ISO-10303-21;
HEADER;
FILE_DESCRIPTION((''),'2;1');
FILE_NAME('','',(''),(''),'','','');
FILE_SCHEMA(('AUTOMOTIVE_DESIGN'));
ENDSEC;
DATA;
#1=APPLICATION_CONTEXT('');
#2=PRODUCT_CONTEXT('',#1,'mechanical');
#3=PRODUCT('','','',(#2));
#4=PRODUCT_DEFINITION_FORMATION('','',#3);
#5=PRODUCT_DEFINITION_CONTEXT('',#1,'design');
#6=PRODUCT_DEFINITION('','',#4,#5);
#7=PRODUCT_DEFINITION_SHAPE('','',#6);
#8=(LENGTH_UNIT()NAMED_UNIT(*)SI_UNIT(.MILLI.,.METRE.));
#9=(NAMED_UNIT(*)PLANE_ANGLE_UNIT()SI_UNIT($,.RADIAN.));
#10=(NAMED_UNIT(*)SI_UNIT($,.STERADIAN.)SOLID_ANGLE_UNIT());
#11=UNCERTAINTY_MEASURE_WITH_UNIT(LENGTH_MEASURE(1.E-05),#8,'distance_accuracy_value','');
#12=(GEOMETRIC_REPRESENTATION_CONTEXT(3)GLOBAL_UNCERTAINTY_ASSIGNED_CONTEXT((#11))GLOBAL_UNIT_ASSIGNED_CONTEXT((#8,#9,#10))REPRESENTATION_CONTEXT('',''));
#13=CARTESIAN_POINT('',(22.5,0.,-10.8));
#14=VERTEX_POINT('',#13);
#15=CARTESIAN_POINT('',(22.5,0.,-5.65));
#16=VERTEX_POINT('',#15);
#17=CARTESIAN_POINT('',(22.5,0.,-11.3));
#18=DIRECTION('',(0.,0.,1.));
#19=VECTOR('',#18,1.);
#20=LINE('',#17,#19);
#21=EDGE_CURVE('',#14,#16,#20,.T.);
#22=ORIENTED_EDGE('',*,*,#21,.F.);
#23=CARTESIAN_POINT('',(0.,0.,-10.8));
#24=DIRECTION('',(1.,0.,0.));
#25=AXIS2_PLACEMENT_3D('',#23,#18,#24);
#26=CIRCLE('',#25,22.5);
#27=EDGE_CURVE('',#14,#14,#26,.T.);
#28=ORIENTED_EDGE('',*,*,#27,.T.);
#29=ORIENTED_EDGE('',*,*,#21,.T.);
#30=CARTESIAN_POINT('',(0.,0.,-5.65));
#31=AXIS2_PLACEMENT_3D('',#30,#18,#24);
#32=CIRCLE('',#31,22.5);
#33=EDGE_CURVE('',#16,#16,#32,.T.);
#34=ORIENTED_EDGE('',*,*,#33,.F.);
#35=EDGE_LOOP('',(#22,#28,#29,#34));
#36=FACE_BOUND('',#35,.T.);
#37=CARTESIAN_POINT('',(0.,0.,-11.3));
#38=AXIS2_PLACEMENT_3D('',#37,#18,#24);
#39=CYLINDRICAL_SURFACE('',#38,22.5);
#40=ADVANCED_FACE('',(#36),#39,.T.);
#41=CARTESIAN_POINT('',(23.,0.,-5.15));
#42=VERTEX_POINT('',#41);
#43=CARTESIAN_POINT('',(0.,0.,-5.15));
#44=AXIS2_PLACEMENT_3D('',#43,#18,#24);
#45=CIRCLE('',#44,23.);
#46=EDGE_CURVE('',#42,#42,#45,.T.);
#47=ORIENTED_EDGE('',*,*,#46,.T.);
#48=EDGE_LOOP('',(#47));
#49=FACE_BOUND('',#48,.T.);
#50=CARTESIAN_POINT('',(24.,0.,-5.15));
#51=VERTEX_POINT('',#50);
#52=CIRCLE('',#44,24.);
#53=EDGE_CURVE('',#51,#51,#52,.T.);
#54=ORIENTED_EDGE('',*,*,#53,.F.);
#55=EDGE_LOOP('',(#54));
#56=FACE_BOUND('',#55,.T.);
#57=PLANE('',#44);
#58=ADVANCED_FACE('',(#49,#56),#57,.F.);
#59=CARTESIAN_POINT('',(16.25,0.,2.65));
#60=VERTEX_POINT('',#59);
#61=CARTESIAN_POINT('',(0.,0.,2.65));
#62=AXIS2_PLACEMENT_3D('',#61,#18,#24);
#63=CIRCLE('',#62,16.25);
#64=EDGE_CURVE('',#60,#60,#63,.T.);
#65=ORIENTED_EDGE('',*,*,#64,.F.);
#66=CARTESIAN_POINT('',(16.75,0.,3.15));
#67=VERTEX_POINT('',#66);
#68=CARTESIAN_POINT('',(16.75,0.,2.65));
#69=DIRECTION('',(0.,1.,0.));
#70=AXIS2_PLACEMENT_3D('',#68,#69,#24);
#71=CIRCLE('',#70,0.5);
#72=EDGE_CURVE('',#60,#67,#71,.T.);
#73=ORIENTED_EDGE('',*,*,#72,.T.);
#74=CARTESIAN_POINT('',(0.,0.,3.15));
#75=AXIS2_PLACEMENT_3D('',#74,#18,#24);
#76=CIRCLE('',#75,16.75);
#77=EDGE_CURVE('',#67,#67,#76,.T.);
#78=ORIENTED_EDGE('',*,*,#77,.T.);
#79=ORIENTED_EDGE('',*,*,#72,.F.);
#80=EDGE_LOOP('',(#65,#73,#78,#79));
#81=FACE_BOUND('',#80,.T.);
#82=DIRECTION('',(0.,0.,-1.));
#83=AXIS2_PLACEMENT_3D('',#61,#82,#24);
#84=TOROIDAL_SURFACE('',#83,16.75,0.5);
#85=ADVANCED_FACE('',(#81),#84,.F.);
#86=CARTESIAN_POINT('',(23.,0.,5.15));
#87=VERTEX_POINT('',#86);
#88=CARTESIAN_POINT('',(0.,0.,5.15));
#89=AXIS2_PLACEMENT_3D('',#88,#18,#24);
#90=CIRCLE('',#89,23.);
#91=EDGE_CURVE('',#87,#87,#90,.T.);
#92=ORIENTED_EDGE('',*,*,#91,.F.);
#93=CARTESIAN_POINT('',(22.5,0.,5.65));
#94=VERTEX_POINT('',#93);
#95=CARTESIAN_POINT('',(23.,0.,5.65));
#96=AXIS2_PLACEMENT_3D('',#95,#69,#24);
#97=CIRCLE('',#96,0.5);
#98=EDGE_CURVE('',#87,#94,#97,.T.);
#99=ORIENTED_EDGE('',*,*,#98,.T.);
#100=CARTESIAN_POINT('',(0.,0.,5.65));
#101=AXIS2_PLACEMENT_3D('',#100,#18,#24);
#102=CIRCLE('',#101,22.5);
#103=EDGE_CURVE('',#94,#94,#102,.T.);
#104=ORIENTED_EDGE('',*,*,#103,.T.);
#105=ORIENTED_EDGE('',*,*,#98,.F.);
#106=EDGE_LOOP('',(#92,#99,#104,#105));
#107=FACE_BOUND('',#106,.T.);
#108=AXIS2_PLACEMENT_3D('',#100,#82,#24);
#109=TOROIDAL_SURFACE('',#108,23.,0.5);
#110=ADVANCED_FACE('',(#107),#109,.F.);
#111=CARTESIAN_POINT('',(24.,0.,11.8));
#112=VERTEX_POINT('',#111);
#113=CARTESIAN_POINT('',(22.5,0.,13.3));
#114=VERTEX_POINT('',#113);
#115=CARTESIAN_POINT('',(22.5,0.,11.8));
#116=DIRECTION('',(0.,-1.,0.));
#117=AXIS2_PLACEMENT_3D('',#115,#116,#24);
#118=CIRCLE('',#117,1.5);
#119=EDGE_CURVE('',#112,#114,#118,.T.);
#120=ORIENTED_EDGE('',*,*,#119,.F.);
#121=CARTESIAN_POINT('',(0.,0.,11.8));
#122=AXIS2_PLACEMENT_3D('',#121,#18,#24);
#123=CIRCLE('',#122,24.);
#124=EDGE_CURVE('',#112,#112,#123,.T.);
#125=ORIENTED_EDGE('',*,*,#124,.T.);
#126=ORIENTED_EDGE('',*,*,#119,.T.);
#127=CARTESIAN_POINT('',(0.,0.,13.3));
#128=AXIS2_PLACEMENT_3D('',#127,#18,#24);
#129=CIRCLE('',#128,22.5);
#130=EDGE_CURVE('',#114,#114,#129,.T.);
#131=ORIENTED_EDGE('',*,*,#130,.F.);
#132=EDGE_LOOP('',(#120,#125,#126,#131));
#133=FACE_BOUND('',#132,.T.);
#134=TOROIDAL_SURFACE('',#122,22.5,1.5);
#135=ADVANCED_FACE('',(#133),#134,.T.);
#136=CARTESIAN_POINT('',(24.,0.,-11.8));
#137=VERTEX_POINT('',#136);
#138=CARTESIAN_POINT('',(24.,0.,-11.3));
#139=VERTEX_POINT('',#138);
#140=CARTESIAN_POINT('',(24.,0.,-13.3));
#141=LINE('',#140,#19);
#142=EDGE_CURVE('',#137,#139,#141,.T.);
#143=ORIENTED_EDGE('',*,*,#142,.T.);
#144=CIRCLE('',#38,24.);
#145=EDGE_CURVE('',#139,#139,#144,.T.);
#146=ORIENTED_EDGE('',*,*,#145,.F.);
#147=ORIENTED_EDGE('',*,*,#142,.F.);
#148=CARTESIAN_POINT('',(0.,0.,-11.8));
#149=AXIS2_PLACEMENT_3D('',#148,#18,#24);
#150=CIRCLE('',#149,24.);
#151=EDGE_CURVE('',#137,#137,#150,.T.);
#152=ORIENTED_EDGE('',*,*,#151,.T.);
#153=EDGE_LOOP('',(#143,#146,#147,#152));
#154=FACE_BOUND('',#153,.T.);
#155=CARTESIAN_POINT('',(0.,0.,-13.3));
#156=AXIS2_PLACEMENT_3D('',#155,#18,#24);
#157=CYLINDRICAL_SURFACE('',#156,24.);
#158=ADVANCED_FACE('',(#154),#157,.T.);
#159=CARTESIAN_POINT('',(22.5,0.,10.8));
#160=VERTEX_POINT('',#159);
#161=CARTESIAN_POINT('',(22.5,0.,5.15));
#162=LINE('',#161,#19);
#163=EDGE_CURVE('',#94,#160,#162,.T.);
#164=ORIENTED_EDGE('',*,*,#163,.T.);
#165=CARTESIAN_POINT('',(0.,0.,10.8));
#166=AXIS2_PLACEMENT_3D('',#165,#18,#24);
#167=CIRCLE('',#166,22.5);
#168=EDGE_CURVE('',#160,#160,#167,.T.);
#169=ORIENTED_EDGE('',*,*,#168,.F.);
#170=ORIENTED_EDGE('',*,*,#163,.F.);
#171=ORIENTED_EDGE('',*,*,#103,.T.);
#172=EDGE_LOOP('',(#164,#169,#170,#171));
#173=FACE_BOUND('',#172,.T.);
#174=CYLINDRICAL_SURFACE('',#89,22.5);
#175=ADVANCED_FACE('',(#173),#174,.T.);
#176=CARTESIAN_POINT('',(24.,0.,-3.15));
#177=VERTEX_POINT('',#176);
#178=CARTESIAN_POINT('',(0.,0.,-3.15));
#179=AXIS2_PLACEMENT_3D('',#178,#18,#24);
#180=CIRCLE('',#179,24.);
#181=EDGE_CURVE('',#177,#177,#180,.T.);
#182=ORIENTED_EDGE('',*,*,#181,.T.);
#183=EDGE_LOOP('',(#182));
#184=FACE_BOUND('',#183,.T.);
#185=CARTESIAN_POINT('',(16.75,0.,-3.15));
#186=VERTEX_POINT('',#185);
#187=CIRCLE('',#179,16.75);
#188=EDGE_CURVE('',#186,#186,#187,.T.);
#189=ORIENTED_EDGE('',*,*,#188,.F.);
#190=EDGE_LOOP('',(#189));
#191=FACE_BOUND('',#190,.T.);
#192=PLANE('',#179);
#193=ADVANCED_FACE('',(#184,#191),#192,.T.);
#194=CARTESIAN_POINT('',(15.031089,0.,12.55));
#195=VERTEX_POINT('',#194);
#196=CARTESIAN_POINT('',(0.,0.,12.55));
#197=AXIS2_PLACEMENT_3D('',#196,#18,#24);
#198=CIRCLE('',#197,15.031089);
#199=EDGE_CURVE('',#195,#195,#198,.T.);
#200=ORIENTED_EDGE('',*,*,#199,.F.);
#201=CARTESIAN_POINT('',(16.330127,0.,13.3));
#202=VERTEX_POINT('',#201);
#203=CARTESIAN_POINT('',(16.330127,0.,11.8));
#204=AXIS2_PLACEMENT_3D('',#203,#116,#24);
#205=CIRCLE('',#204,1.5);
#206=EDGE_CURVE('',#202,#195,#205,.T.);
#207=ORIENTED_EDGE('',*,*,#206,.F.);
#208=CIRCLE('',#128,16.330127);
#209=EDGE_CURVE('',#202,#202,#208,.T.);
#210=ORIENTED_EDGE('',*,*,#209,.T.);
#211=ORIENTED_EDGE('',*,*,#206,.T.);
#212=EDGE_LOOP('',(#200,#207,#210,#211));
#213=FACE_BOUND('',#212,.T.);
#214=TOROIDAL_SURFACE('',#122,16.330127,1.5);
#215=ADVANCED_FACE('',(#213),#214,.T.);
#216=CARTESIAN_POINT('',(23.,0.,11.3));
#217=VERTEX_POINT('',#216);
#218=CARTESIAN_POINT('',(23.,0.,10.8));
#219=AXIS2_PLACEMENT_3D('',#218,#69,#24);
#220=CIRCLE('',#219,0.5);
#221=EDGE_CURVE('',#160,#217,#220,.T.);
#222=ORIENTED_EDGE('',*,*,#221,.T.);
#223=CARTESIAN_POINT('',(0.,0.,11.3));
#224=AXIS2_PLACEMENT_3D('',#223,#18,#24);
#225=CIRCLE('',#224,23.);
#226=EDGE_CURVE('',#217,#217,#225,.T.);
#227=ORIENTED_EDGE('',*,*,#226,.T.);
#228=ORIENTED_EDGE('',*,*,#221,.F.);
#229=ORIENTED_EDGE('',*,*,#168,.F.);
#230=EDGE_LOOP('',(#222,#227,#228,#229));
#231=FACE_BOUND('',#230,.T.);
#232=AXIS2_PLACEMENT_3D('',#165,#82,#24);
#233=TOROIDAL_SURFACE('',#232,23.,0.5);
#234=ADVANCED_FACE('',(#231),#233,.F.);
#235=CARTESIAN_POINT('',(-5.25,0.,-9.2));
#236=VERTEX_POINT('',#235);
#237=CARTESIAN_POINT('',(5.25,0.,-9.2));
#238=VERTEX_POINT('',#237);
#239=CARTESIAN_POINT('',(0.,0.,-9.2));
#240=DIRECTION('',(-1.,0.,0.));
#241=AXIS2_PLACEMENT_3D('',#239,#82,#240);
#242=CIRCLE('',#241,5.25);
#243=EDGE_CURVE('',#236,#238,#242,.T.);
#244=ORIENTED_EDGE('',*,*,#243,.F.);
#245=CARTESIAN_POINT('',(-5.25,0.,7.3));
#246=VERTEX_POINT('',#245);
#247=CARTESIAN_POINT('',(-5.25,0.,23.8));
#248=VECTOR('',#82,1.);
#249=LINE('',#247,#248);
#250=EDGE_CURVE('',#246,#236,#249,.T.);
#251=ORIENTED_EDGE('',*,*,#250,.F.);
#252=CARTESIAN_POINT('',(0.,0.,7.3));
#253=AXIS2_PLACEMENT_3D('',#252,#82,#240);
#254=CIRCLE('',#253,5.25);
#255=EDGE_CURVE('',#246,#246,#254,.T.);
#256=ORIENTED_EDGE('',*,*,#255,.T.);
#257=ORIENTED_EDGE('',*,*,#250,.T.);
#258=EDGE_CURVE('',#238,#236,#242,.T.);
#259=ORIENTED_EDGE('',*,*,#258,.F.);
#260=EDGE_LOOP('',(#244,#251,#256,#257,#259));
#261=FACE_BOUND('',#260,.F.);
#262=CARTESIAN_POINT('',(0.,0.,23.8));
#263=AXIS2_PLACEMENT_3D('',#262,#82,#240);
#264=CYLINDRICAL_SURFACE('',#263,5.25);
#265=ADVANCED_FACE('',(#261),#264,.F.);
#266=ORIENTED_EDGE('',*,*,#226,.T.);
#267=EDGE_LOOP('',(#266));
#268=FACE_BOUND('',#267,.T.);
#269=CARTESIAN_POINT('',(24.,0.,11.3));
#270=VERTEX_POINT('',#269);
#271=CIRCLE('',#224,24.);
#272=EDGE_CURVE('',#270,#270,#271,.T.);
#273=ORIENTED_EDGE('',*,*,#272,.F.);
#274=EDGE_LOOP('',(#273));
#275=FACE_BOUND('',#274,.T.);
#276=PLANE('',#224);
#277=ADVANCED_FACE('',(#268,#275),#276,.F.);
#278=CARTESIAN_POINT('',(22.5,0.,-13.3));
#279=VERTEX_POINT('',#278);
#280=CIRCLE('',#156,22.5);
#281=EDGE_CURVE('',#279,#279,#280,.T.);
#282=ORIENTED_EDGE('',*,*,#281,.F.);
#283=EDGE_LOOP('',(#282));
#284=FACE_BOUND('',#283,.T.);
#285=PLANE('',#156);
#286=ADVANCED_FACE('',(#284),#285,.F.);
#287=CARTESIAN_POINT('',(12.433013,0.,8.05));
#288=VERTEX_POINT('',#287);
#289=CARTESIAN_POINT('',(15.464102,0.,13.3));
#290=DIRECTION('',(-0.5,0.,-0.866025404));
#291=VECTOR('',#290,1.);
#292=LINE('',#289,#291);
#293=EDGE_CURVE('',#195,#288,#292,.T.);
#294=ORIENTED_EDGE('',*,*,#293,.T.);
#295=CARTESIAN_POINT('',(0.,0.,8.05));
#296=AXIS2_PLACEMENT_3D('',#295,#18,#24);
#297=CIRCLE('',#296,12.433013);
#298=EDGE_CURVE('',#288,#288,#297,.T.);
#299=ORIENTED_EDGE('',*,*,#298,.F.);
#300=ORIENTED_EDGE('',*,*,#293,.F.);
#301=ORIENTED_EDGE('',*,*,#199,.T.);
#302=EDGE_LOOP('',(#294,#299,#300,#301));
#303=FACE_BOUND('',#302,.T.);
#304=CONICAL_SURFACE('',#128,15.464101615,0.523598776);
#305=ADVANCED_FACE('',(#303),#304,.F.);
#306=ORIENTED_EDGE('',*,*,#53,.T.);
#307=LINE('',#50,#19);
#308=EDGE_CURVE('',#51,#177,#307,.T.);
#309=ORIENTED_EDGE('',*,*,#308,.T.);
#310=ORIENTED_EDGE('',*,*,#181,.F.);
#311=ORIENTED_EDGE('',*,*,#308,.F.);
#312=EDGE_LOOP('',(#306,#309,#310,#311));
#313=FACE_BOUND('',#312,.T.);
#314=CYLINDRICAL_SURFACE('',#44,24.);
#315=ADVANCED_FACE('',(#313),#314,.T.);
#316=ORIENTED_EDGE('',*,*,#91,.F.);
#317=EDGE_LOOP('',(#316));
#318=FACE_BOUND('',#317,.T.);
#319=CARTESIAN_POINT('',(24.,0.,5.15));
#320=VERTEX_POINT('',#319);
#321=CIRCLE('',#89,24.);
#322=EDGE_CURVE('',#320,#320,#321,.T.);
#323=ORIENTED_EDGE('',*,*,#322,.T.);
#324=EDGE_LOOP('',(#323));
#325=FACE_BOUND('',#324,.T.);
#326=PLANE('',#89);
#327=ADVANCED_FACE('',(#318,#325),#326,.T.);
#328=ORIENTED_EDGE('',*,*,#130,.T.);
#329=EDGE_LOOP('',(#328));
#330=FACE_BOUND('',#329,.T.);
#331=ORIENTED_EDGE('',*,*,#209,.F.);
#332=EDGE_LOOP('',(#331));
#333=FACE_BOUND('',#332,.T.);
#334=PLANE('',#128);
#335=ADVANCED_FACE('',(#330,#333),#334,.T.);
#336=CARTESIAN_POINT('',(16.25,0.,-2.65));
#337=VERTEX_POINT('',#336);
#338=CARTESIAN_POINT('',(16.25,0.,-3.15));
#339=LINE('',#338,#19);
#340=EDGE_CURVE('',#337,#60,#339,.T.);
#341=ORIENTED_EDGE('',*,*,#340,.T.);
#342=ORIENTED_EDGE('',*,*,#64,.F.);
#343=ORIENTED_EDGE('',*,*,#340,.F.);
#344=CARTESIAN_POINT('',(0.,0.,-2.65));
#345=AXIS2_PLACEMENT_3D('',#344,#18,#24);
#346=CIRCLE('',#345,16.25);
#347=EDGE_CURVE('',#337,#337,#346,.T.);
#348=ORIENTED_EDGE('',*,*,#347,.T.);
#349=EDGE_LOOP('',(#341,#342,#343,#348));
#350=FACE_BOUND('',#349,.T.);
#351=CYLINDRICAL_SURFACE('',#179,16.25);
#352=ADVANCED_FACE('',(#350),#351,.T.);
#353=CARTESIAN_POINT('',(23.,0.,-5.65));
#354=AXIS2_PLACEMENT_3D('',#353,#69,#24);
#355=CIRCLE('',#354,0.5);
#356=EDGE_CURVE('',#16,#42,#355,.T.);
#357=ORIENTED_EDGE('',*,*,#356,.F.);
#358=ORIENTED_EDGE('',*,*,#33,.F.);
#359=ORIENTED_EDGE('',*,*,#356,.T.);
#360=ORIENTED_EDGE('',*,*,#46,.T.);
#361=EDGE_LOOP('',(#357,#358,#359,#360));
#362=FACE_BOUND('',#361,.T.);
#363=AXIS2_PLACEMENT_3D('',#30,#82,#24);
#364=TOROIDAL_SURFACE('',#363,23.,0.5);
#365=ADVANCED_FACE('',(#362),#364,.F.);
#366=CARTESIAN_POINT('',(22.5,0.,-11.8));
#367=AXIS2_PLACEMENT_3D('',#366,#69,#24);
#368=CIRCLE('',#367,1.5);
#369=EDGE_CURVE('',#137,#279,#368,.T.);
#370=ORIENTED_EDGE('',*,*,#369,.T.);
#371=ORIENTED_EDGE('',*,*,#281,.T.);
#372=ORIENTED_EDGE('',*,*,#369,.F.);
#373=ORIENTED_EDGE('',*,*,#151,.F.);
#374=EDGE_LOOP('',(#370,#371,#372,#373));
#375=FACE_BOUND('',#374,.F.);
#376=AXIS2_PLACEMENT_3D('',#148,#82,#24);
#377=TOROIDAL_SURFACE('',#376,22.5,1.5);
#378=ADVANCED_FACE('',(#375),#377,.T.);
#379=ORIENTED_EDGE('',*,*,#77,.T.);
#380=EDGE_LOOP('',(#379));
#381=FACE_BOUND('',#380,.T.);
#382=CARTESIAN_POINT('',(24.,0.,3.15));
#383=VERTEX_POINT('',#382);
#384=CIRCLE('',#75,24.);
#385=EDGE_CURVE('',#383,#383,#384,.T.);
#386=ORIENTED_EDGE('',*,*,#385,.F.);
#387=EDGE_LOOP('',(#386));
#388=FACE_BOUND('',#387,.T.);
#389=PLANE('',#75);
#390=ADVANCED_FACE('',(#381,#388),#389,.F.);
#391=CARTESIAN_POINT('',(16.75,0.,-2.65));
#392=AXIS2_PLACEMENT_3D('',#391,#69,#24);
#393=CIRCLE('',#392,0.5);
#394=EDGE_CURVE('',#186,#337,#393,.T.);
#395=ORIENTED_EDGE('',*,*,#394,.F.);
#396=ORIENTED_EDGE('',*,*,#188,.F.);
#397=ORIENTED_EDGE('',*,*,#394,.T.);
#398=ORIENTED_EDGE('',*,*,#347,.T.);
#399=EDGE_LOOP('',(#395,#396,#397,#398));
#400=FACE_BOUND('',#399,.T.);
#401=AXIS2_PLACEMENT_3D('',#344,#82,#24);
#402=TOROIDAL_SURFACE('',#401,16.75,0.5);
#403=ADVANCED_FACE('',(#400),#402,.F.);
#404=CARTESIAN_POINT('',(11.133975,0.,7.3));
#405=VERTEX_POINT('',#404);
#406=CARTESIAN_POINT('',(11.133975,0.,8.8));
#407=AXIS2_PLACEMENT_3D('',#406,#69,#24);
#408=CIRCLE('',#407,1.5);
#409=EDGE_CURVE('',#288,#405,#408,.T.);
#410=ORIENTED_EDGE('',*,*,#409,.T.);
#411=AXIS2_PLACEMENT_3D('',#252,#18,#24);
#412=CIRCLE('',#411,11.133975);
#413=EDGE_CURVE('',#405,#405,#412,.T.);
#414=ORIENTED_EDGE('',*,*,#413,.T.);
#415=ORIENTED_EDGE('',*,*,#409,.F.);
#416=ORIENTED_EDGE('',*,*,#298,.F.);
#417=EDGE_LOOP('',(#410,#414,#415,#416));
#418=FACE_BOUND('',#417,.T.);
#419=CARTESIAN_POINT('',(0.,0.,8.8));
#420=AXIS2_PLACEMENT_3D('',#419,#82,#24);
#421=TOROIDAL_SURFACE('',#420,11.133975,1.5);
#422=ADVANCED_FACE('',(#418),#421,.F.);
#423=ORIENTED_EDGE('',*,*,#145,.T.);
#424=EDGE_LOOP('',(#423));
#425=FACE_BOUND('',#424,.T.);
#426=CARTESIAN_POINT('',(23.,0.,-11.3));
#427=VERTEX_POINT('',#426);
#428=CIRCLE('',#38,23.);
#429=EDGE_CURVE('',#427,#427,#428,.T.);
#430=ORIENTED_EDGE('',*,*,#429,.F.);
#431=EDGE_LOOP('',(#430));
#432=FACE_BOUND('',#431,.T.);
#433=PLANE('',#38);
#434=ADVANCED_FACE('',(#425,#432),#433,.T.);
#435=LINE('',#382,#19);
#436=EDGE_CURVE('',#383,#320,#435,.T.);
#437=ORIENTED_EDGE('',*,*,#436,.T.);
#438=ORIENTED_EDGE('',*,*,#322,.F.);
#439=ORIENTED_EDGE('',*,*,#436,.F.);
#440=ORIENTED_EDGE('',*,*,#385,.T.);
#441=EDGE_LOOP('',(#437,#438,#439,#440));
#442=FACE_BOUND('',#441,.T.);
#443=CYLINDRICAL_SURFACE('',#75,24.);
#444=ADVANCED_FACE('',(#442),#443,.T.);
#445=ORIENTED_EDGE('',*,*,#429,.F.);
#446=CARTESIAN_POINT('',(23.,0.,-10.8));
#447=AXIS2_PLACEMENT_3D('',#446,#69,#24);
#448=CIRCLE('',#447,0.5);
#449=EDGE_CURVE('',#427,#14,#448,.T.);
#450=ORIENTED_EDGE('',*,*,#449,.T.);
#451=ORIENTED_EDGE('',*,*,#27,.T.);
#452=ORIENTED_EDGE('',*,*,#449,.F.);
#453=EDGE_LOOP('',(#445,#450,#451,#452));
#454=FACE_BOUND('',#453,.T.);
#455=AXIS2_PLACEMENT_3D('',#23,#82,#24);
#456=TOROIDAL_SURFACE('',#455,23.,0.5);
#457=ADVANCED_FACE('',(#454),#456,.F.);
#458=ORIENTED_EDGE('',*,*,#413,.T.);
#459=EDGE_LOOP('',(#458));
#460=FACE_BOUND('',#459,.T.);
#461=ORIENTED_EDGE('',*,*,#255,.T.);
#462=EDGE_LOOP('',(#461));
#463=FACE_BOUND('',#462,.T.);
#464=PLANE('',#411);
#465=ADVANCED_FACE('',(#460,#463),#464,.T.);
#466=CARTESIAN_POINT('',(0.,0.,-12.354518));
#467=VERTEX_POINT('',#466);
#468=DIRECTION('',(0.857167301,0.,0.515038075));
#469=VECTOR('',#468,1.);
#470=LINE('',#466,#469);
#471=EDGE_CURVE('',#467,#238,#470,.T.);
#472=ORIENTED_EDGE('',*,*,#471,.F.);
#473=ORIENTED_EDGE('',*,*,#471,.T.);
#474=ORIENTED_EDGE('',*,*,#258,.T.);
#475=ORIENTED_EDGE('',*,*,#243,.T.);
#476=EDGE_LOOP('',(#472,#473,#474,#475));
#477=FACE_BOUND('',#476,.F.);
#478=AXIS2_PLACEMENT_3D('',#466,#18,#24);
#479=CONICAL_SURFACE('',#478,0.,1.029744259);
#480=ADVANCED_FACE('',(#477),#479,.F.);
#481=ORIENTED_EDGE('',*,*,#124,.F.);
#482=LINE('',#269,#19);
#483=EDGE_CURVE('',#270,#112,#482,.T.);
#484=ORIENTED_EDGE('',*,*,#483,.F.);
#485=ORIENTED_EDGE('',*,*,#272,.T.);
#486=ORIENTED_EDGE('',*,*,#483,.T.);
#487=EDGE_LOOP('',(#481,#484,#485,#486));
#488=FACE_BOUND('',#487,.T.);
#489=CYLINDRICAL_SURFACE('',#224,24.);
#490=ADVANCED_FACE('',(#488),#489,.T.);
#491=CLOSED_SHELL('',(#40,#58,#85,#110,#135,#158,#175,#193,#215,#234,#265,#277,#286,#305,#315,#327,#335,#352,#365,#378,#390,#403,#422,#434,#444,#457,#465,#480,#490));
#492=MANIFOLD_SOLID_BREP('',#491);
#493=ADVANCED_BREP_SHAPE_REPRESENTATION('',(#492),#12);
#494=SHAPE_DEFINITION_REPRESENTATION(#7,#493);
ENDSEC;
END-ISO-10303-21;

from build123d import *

# Parameters (mm, degrees)
F2_R     = 0.5
F3_R     = 1.5
F5_D     = 10.5
F5_DEPTH = 16.5
F5_TIP   = 3.1545182499


with BuildPart() as f1:
    # F0 (on Front) → F1 (revolve)
    with BuildSketch(Plane.XZ):
        Polygon((24, 13.3), (15.4641016151, 13.3), (12, 7.3), (0, 7.3), (0, -13.3), (24, -13.3), (24, -11.3), (22.5, -11.3), (22.5, -5.15), (24, -5.15), (24, -3.15), (16.25, -3.15), (16.25, 3.15), (24, 3.15), (24, 5.15), (22.5, 5.15), (22.5, 11.3), (24, 11.3), align=None)
    revolve(axis=Axis((0, 0, -3), (0, 0, 1)))

    # F2
    f2_edges = [f1.edges().sort_by_distance(p)[0] for p in [
        (-16.25, 0, -3.15),
        (-16.25, 0, 3.15),
        (-22.5, 0, 11.3),
        (-22.5, 0, 5.15),
        (-22.5, 0, -11.3),
        (-22.5, 0, -5.15),
    ]]
    fillet(f2_edges, radius=F2_R)

    # F3
    f3_edges = [f1.edges().sort_by_distance(p)[0] for p in [
        (-24, 0, 13.3),
        (-24, 0, -13.3),
        (-12, 0, 7.3),
        (-15.464102, 0, 13.3),
    ]]
    fillet(f3_edges, radius=F3_R)

    # F5
    with Locations(Plane.XY.offset(7.3)):
        with Locations((0, 0)):
            Hole(F5_D / 2, depth=F5_DEPTH)
            with Locations((0, 0, -(F5_DEPTH + F5_TIP / 2))):  # 118° drill point
                Cone(0, F5_D / 2, F5_TIP, mode=Mode.SUBTRACT)


solid = f1.part
